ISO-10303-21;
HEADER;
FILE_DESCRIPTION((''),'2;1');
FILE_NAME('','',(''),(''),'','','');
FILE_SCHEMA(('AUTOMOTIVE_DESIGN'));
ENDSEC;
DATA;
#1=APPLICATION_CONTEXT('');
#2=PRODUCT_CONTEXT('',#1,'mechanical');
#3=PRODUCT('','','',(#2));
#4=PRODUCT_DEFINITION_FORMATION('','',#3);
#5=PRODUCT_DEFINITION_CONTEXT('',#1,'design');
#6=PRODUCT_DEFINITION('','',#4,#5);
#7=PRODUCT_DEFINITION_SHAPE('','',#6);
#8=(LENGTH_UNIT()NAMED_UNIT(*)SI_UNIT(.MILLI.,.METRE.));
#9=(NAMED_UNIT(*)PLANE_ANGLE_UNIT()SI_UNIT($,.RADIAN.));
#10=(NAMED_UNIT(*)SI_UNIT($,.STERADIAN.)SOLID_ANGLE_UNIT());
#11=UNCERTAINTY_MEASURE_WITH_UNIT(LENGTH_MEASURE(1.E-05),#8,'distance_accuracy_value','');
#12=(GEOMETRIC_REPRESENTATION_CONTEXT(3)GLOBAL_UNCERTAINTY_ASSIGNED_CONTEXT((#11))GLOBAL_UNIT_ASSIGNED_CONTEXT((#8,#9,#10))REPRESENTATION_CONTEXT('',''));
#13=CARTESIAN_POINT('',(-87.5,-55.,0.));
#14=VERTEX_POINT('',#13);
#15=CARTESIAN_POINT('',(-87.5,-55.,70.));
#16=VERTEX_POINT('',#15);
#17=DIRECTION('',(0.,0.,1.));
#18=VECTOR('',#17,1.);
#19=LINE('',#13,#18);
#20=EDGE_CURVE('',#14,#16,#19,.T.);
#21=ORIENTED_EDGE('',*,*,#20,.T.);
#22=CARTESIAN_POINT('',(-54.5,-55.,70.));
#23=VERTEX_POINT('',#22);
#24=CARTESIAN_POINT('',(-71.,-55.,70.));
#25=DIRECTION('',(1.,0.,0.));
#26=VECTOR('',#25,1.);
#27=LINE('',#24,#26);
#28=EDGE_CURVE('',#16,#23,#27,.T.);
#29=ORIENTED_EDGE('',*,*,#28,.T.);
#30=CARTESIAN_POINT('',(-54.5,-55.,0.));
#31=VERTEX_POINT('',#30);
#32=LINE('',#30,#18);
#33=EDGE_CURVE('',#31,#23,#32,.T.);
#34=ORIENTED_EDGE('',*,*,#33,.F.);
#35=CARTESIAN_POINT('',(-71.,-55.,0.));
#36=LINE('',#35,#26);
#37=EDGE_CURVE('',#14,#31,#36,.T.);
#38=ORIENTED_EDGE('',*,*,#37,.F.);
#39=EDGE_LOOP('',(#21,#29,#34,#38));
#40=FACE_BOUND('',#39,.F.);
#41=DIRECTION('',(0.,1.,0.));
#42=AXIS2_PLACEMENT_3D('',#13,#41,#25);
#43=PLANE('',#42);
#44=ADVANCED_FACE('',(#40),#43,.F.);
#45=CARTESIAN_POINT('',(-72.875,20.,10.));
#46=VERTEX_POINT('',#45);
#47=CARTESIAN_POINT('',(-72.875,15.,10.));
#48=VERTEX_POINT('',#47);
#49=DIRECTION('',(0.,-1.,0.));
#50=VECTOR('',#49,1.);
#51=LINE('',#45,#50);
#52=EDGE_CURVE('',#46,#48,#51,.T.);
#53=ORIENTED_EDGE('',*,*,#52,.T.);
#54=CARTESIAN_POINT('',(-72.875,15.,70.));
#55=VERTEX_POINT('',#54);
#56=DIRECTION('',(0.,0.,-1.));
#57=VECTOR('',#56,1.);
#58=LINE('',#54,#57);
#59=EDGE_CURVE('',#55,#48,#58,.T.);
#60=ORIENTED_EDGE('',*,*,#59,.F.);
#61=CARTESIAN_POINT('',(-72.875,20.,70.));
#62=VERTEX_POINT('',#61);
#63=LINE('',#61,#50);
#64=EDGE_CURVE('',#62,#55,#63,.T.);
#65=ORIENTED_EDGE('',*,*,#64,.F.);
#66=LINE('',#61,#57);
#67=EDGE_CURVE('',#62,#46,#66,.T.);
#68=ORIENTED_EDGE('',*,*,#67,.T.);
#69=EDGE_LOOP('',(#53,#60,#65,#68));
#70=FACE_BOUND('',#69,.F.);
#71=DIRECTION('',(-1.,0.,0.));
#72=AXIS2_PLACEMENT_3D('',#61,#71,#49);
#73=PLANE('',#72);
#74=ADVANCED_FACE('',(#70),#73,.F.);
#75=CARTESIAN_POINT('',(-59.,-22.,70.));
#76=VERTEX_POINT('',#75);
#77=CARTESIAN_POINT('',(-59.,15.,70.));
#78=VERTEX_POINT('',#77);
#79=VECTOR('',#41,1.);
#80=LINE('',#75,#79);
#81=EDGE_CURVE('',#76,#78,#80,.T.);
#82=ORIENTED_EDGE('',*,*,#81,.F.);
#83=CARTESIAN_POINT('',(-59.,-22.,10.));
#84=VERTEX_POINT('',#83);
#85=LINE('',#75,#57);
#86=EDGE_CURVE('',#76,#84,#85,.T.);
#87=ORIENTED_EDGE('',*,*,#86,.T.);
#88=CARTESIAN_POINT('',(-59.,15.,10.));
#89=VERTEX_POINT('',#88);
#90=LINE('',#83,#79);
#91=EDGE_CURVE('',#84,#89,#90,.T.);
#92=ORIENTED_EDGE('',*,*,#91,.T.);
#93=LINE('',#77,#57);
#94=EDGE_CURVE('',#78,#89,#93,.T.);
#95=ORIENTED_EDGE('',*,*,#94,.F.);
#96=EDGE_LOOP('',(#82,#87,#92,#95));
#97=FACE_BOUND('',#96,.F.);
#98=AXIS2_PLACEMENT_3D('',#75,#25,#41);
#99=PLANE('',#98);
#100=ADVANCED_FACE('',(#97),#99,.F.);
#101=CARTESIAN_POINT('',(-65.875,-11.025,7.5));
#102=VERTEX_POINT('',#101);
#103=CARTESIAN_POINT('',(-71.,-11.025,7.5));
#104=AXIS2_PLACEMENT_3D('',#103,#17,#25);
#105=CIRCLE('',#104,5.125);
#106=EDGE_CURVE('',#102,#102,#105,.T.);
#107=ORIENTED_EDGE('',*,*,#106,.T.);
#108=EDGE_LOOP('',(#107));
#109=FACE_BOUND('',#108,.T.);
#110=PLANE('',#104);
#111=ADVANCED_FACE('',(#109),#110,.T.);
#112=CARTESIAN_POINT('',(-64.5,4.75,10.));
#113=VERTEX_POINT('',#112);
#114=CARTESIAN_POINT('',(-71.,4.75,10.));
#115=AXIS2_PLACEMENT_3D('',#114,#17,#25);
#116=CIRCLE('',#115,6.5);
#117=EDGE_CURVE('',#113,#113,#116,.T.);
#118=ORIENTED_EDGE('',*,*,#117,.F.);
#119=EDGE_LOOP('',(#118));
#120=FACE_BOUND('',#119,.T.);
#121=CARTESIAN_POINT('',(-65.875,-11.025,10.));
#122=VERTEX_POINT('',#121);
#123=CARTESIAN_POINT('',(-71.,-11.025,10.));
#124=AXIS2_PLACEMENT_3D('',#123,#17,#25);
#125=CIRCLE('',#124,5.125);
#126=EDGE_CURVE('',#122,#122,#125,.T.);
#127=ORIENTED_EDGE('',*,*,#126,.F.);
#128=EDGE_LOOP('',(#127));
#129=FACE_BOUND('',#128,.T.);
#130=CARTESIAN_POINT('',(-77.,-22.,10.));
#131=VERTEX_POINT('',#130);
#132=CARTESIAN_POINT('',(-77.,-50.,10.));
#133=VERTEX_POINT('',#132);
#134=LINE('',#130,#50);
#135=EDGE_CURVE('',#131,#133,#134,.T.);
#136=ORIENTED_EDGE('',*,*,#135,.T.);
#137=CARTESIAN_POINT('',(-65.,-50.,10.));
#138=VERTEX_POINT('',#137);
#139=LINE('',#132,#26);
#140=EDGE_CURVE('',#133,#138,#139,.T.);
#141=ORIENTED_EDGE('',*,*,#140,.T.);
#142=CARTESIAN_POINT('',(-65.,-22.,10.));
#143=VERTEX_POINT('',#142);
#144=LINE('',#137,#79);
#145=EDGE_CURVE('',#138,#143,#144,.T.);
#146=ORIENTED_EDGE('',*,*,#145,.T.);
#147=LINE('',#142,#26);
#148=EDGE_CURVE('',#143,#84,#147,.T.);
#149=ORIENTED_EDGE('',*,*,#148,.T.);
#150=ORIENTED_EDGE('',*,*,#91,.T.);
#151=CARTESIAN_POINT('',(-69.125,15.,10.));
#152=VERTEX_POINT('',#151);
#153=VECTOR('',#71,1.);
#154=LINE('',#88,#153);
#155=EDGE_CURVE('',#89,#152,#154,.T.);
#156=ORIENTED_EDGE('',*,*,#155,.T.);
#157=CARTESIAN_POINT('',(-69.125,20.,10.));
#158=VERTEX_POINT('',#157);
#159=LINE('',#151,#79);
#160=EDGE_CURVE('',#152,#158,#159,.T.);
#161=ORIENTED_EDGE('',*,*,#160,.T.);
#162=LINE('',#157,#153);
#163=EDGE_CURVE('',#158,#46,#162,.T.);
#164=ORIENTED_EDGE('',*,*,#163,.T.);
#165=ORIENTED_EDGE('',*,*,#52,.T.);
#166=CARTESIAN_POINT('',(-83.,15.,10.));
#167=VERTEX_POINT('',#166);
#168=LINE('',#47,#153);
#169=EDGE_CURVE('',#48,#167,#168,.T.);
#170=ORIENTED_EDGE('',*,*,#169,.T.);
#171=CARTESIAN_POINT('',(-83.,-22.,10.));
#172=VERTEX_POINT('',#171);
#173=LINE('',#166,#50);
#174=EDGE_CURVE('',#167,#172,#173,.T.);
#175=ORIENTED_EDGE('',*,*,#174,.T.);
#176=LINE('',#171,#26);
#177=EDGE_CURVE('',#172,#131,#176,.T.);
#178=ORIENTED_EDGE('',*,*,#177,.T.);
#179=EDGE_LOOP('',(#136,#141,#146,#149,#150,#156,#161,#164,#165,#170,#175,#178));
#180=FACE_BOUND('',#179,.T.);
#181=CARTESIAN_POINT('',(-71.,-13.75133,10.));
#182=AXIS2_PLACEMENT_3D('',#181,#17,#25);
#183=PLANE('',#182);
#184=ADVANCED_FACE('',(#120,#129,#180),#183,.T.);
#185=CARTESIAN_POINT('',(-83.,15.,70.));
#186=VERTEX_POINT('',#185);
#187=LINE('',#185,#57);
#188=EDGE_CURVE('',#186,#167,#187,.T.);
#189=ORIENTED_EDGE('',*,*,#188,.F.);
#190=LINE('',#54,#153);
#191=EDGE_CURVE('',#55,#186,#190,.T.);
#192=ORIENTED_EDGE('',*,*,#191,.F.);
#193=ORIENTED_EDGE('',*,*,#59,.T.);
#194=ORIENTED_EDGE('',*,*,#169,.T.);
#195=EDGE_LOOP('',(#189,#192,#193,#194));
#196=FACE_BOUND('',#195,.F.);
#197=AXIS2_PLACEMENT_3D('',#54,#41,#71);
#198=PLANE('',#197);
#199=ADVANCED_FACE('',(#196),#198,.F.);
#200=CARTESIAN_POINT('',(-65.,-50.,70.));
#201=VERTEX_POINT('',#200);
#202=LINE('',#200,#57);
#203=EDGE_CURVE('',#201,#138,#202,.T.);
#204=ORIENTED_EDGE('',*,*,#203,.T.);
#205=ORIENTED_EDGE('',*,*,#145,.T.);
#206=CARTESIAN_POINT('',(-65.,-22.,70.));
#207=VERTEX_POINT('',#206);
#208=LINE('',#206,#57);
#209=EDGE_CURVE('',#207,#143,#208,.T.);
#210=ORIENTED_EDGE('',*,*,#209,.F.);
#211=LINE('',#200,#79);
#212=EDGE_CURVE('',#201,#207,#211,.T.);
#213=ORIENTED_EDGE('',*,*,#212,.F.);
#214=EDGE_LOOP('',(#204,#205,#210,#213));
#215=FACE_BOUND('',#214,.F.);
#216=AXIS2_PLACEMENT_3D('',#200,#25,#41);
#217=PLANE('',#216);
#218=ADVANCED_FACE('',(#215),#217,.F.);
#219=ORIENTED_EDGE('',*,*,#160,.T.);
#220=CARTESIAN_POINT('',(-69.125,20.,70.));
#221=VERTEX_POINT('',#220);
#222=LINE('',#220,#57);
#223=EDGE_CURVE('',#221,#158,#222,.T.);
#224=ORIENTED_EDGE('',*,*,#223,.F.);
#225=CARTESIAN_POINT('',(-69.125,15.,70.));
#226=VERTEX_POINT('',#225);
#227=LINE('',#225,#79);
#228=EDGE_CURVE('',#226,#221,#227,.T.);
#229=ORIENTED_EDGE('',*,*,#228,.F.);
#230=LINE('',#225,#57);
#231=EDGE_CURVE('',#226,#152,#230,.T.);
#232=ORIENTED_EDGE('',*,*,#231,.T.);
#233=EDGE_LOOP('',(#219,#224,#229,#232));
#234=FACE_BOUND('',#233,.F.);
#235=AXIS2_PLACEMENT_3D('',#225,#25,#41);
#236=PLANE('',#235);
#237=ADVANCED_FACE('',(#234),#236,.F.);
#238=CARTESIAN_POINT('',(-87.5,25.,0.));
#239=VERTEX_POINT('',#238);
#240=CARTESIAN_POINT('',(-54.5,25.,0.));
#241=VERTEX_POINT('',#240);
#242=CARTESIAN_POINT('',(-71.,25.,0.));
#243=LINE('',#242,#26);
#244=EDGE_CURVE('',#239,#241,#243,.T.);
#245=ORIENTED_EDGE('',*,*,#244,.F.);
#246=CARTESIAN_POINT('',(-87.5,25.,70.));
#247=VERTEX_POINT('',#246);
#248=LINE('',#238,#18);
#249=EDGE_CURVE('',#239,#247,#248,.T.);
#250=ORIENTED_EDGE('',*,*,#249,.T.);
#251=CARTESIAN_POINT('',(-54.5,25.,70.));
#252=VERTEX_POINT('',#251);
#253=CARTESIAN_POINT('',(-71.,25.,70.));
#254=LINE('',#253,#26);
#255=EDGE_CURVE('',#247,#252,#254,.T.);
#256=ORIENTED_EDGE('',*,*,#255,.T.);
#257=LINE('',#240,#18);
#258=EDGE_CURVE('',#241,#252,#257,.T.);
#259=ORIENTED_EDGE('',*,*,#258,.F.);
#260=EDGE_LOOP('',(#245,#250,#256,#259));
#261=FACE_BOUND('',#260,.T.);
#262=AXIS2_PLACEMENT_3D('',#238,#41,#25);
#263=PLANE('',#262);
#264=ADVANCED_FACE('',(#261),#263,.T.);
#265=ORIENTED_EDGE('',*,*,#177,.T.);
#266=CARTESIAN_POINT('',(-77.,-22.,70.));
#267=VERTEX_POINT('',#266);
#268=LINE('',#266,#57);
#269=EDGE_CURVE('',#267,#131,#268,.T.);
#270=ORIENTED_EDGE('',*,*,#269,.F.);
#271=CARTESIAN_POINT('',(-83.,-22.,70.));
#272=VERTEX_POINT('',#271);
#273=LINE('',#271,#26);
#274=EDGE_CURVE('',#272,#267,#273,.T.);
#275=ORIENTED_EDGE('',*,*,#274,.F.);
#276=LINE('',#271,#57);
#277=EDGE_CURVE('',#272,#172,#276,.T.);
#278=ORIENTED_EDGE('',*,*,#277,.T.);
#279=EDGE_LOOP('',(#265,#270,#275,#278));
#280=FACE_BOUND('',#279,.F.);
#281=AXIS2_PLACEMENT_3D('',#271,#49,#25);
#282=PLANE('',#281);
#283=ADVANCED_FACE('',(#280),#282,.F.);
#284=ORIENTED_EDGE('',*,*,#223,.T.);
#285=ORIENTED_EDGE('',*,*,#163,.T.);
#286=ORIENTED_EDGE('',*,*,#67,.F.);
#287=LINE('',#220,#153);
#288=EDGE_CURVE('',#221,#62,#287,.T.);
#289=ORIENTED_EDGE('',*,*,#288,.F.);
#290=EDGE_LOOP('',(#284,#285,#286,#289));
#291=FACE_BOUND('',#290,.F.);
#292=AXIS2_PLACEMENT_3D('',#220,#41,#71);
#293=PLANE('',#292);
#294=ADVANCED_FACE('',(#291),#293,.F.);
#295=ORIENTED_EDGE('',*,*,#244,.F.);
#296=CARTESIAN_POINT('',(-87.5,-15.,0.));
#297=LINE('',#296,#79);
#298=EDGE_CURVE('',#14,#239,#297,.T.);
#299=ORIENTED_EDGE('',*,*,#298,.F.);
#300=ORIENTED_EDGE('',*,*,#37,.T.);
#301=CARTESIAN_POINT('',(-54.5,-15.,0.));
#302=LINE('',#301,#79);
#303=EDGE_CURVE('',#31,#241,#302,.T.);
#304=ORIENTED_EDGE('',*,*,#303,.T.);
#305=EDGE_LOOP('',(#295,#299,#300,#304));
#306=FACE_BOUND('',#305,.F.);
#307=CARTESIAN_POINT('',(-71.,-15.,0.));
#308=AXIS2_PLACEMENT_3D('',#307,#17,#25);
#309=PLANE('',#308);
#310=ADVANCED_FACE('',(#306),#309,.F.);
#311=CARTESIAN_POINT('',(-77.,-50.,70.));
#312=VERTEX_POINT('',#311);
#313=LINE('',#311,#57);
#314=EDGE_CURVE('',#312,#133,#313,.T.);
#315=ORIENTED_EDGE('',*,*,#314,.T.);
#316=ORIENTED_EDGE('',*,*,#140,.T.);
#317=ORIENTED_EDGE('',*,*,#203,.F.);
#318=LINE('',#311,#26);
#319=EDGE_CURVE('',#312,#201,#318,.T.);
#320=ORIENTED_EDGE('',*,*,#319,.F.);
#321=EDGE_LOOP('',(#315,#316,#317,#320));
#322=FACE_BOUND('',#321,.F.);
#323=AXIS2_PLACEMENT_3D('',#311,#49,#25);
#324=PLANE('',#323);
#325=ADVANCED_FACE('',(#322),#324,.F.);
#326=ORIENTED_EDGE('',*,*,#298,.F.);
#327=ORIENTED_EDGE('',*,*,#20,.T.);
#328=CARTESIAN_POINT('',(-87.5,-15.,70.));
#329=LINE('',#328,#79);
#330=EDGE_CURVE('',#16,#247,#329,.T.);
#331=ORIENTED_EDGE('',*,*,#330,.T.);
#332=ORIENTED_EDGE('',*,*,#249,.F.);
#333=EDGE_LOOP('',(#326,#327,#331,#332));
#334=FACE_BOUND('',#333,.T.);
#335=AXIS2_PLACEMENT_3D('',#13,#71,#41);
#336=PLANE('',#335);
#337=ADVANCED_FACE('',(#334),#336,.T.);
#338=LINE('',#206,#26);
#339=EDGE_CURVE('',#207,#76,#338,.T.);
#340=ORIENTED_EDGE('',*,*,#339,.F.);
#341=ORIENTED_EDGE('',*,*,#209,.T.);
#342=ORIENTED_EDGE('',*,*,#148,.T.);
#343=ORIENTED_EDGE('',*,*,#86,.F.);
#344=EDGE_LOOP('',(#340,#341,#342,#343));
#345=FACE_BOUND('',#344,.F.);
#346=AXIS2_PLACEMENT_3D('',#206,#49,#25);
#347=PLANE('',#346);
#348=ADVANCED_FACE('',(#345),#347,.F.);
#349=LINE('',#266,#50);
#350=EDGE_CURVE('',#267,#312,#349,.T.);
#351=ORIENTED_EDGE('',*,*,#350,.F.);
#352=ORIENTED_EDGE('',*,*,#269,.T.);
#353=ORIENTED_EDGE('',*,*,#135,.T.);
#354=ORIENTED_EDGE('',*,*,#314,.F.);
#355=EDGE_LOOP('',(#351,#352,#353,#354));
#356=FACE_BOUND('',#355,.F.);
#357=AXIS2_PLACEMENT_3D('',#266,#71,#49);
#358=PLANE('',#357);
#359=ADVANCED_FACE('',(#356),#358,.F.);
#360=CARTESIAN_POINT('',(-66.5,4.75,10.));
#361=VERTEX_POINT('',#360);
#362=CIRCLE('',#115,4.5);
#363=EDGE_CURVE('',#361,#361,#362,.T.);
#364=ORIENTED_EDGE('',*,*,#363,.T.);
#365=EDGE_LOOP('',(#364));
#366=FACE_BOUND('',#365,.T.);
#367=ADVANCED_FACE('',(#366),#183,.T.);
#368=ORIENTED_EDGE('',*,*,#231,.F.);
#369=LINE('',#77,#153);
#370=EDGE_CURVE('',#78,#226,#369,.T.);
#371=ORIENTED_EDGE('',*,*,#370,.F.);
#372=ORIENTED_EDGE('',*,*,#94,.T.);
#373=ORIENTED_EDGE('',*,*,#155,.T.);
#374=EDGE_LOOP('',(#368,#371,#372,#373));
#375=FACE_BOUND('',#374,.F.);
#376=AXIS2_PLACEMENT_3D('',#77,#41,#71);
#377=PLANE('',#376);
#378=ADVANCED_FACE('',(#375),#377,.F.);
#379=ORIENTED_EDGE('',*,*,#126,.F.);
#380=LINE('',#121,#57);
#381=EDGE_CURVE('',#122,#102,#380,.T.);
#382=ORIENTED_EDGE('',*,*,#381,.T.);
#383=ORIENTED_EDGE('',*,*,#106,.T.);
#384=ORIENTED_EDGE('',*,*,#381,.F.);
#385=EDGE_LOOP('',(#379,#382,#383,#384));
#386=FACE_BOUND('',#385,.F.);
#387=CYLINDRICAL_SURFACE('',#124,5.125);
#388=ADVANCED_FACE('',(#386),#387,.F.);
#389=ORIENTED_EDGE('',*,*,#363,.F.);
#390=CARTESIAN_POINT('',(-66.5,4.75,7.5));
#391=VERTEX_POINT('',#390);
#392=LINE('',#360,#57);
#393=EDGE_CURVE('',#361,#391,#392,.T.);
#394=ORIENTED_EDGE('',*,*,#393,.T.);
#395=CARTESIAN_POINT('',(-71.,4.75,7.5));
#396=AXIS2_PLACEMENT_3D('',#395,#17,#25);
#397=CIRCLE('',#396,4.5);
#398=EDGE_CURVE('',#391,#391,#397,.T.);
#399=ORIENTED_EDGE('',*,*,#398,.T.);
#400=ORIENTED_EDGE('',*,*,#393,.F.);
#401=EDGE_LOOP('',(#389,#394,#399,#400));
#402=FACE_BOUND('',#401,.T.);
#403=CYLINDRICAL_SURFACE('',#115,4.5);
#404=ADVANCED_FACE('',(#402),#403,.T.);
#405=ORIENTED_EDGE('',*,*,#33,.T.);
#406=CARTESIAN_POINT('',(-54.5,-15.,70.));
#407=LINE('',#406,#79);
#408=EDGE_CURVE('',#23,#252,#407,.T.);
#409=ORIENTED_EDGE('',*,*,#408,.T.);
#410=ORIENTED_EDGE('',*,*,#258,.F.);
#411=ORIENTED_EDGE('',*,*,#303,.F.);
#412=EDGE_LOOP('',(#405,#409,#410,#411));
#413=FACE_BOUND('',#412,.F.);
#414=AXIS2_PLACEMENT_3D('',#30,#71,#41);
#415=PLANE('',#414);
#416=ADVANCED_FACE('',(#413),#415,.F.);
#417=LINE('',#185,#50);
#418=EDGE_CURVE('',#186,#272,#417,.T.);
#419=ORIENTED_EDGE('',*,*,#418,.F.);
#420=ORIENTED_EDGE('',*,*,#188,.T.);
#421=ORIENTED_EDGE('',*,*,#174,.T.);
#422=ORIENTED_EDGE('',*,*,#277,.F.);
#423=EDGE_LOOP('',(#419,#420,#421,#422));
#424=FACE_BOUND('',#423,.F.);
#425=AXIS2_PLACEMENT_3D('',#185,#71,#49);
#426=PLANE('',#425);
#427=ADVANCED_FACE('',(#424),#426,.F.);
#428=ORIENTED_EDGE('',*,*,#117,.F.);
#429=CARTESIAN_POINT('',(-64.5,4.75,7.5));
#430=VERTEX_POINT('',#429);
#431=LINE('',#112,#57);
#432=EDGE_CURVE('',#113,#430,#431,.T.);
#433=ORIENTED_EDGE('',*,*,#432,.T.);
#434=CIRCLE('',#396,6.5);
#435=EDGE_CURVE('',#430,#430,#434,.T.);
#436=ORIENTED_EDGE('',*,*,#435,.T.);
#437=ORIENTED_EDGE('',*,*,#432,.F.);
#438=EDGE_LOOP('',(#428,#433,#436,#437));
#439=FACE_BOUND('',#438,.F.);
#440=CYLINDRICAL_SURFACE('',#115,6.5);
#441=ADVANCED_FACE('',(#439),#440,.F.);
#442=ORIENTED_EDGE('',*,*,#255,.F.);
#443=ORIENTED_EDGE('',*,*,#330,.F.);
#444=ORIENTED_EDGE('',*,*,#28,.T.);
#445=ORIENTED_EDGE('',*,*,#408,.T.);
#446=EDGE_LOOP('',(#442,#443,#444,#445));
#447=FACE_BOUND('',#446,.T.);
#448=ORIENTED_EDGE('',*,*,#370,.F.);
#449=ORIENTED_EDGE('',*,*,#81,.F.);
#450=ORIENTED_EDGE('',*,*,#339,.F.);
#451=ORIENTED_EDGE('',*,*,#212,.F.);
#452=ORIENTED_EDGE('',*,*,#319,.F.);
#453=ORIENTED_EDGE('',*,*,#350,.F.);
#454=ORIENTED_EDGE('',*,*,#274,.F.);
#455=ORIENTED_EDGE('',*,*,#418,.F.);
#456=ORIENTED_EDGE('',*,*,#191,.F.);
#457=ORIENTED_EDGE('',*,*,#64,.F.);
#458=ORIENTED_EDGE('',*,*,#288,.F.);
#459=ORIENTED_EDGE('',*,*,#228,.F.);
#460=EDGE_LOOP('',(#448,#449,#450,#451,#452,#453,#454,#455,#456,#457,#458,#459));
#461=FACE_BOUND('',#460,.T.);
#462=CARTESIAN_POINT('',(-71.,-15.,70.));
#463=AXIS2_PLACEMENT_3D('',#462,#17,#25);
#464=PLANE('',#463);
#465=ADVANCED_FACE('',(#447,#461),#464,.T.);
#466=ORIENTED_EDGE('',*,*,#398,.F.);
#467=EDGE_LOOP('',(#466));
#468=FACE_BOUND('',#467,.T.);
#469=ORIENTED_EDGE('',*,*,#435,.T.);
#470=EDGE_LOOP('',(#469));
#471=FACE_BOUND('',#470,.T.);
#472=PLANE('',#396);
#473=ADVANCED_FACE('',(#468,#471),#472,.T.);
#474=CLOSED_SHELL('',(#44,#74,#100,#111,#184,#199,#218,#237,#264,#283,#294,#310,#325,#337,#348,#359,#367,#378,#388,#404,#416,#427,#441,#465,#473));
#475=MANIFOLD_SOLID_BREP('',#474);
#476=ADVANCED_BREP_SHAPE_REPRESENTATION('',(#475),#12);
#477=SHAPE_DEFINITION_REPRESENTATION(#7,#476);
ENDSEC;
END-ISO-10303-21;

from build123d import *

# Parameters (mm, degrees)
F0_W     = 33
F0_H     = 80
F1_DEPTH = 70
F3_DEPTH = 60
F4_R     = 6.5
F4_R_2   = 4.5
F4_R_3   = 5.125
F5_DEPTH = 2.5


with BuildPart() as f1:
    # F0 (on Top) → F1 (new body)
    with BuildSketch(Plane.XY):
        with Locations((-71, -15)):
            Rectangle(F0_W, F0_H)
    extrude(amount=F1_DEPTH)

    # F2 (on face) → F3 (cut)
    with BuildSketch(Plane.XY.offset(70)):
        Polygon((-72.875, 20), (-72.875, 15), (-83, 15), (-83, -22), (-77, -22), (-77, -50), (-71, -50), (-65, -50), (-65, -22), (-59, -22), (-59, 15), (-69.125, 15), (-69.125, 20), (-71, 20), align=None)
    extrude(amount=-F3_DEPTH, mode=Mode.SUBTRACT)

    # F4 (on face) → F5 (cut)
    with BuildSketch(Plane.XY.offset(10)):
        with Locations((-71, 4.75)):
            Circle(F4_R)
        with Locations((-71, 4.75)):
            Circle(F4_R_2, mode=Mode.SUBTRACT)
        with Locations((-71, -11.025)):
            Circle(F4_R_3)
    extrude(amount=-F5_DEPTH, mode=Mode.SUBTRACT)


solid = f1.part
